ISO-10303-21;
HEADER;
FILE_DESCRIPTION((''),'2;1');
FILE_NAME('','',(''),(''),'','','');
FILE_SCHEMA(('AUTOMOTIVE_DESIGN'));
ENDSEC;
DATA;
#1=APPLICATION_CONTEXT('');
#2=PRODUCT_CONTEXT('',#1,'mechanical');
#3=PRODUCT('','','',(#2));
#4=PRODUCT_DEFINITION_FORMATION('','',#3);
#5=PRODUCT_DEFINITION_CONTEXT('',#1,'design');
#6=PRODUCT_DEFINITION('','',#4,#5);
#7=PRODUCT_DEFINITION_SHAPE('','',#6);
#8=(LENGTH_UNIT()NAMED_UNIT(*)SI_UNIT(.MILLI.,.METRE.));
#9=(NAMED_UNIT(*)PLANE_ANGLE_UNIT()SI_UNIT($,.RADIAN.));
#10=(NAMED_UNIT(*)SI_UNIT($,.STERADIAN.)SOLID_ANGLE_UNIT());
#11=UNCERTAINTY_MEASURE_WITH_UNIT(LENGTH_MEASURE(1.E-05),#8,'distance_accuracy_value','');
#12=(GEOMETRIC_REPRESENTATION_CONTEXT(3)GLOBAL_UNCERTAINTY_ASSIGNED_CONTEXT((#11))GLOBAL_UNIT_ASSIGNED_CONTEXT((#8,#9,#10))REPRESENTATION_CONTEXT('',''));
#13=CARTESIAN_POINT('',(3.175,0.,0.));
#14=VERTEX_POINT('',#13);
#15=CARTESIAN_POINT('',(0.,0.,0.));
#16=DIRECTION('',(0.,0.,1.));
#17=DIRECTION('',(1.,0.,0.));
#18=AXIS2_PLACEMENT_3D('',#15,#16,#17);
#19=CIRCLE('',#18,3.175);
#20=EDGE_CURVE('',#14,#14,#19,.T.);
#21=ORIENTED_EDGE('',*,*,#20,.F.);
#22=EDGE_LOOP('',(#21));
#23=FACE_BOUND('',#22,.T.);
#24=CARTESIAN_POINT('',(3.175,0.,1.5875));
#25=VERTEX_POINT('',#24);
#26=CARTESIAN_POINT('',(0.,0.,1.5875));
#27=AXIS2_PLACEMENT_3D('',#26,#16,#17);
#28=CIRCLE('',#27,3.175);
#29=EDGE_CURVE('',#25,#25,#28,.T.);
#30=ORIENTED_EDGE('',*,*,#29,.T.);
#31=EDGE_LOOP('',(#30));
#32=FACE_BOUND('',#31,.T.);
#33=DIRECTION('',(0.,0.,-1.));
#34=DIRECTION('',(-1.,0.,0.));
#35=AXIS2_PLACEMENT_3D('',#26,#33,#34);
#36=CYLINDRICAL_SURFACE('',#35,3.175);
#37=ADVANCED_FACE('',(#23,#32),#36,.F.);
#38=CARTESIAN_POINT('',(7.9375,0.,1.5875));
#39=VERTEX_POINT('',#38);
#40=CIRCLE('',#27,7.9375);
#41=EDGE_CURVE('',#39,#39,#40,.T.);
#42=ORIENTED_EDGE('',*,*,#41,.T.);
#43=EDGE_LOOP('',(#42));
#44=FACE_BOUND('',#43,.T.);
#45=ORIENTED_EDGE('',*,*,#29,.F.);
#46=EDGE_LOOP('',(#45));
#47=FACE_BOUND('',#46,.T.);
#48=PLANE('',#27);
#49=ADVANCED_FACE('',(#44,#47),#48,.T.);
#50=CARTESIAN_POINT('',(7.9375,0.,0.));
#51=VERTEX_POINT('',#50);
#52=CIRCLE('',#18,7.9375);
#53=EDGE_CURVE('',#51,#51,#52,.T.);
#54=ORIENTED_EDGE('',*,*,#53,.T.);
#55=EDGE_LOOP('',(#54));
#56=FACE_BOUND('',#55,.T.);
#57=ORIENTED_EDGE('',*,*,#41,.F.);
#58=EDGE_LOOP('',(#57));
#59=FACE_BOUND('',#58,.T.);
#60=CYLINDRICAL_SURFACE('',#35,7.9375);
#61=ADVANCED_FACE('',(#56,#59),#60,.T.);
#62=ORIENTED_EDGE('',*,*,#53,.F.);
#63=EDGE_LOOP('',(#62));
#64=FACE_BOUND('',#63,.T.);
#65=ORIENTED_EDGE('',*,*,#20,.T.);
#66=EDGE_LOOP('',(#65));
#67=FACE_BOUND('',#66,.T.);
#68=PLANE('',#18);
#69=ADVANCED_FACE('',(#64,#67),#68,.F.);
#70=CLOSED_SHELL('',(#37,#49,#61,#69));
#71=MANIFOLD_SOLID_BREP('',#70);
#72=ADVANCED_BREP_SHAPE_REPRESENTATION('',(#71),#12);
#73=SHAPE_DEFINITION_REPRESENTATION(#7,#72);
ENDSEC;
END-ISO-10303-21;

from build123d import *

# Parameters (mm, degrees)
SKETCH1_R           = 7.9375
SKETCH1_R_2         = 3.175
BOSS_EXTRUDE1_DEPTH = 1.5875


with BuildPart() as part:
    # Sketch1 → Boss-Extrude1 (new body)
    with BuildSketch(Plane.XY):
        Circle(SKETCH1_R)
        Circle(SKETCH1_R_2, mode=Mode.SUBTRACT)
    extrude(amount=BOSS_EXTRUDE1_DEPTH)


solid = part.part
